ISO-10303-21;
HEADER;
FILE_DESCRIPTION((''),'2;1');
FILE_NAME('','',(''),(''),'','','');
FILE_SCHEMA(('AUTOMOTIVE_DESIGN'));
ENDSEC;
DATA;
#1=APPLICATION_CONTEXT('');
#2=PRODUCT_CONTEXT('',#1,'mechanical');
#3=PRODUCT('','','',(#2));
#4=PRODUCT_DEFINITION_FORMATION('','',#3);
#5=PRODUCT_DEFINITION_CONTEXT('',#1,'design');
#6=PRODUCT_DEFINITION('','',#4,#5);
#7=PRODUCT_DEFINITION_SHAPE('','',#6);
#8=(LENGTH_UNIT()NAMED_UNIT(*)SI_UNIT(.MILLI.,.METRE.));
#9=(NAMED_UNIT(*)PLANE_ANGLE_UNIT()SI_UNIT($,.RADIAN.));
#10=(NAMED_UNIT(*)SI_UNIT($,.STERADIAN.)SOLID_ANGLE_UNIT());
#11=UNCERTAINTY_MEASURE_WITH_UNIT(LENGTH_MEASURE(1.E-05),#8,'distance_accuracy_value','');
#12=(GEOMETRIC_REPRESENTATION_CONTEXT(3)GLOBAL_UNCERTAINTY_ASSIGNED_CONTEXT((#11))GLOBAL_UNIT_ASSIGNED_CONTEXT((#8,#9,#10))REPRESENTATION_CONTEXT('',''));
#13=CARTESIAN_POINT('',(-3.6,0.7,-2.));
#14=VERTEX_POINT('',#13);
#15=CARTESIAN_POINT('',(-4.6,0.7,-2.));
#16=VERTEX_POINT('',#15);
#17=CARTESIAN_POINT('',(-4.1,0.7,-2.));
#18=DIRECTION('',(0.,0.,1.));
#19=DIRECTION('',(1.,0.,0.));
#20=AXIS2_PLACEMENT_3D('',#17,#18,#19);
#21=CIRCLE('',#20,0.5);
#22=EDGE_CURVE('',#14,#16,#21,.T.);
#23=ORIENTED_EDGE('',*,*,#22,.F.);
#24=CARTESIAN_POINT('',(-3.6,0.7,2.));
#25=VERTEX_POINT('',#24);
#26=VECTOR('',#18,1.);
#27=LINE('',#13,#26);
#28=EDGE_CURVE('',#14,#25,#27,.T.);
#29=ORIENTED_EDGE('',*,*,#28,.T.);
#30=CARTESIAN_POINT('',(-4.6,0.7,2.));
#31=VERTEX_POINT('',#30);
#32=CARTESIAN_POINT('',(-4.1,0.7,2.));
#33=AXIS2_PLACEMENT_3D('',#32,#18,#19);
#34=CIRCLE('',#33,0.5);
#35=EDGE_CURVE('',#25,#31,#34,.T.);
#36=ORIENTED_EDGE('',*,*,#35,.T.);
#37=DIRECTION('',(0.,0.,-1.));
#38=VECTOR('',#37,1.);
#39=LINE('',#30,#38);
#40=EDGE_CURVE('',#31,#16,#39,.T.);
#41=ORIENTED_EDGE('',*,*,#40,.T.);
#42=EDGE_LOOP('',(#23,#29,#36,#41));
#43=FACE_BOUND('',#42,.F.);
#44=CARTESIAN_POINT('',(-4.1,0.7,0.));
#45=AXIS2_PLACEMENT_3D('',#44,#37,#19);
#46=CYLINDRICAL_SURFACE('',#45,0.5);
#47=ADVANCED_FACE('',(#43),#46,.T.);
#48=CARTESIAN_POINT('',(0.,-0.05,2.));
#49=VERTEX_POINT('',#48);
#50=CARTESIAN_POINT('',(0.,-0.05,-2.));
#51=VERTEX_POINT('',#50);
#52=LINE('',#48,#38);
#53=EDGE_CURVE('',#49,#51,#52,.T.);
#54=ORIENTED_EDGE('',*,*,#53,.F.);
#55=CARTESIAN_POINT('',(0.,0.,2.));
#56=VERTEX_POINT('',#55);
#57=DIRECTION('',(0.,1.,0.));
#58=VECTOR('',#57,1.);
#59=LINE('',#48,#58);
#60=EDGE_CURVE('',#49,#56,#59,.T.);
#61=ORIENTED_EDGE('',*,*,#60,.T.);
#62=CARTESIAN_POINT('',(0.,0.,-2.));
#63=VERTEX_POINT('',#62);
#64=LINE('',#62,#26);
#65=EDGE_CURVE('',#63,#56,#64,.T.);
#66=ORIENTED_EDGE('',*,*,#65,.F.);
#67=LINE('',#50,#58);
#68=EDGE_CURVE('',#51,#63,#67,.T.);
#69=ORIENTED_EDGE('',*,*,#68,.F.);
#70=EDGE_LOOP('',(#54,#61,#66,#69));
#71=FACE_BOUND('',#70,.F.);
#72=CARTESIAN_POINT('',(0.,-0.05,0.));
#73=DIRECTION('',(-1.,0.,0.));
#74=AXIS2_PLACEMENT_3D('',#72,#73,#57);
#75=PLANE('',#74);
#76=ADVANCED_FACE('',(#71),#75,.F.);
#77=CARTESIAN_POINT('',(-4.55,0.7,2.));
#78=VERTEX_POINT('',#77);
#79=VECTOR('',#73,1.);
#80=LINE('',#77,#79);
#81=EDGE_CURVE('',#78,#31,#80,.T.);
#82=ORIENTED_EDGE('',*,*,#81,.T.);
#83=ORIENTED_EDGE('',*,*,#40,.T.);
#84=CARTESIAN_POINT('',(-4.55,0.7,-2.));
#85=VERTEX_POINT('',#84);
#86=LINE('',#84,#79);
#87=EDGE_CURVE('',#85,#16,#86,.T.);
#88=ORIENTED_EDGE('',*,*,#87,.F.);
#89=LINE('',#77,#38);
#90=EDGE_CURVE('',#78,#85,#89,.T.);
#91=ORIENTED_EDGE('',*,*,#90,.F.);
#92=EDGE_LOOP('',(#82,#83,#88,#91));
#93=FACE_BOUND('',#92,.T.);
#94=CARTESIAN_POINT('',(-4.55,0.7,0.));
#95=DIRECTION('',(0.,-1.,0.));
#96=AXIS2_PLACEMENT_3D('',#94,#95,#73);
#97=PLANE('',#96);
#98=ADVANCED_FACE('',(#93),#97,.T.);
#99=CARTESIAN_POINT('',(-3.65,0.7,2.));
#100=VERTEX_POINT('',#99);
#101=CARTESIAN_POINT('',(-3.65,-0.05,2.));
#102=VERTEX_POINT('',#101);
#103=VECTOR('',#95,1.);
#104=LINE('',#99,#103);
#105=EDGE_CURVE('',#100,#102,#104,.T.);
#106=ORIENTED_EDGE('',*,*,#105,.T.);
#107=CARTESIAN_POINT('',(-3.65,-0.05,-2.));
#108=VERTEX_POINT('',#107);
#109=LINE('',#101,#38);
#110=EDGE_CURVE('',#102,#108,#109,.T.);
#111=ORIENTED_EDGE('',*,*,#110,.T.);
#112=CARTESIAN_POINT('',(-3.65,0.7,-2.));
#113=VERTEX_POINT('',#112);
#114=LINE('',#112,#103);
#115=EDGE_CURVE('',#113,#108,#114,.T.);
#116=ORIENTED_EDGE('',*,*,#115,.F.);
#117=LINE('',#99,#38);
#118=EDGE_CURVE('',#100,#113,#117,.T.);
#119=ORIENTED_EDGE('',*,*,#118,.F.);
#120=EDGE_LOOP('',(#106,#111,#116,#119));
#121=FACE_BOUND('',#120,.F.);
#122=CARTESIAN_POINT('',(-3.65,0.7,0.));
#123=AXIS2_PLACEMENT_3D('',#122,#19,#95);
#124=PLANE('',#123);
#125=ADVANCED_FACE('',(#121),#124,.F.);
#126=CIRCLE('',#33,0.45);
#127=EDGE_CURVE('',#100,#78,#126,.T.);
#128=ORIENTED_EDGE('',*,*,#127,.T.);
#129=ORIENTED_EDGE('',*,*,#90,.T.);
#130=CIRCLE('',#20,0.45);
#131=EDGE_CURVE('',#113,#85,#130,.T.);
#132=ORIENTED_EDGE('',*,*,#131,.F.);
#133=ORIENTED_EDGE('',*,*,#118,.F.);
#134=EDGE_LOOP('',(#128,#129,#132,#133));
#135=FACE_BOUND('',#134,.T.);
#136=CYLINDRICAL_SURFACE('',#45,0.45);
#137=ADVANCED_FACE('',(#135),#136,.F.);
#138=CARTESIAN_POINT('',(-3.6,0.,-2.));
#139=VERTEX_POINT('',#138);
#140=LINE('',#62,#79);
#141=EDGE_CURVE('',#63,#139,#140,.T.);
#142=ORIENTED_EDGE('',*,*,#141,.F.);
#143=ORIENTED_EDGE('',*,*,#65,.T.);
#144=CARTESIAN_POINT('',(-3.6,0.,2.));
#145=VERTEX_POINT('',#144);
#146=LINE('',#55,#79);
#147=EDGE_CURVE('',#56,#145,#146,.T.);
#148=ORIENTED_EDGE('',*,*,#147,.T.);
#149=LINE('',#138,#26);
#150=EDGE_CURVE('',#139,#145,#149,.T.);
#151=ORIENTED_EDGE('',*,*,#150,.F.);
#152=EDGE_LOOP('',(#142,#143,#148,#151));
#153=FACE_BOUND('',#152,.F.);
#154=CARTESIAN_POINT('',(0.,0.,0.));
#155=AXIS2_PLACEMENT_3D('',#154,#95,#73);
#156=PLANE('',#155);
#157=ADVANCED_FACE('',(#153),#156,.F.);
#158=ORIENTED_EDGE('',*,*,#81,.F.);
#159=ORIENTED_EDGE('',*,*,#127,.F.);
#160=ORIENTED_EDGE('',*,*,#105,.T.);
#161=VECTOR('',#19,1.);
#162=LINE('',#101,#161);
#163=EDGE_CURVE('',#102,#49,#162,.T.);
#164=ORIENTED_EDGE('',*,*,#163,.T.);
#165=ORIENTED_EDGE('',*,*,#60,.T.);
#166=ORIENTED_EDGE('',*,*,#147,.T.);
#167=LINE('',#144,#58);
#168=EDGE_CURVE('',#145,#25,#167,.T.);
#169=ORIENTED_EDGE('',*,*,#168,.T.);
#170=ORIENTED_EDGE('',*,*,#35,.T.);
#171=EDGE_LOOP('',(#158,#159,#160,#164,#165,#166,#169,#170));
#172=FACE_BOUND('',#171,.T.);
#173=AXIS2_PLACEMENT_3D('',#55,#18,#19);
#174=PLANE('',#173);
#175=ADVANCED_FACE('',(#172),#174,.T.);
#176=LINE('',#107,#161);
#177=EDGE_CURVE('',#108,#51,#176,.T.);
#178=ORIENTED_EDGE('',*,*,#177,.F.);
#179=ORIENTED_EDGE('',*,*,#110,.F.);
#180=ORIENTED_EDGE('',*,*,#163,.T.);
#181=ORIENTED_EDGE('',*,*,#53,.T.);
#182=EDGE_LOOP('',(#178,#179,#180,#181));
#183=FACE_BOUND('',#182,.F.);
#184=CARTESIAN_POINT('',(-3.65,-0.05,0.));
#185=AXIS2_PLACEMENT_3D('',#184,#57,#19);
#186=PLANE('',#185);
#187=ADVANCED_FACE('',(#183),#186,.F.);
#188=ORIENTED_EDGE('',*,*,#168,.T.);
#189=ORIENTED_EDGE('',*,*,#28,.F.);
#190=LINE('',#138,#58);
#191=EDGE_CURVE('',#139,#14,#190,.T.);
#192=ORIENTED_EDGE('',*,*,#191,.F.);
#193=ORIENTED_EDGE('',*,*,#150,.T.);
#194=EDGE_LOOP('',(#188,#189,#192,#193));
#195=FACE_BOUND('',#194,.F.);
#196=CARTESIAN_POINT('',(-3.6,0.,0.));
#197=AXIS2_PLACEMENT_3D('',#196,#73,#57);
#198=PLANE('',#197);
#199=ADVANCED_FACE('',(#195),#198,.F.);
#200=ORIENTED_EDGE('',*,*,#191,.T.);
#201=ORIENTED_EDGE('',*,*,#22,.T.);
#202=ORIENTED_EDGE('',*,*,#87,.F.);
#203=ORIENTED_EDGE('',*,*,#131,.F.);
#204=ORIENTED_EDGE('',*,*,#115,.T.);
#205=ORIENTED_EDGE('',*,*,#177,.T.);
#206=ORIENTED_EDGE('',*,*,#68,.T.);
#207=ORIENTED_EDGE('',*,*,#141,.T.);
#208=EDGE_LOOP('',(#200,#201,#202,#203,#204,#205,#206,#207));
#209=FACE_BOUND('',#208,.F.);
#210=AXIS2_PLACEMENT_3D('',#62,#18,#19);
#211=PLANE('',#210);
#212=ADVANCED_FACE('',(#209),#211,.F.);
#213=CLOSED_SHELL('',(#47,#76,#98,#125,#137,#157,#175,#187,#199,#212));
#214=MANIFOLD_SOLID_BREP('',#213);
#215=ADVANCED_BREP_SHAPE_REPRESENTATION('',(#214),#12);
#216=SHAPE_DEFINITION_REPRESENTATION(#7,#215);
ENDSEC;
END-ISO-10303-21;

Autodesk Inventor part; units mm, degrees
ref_plane "YZ Plane" through (0, 0, 0) normal (1, 0, 0) x (0, 1, 0)
ref_plane "XZ Plane" through (0, 0, 0) normal (0, 1, 0) x (-1, 0, 0)
ref_plane "XY Plane" through (0, 0, 0) normal (0, 0, 1) x (1, 0, 0)
sketch "Sketch1" plane through (0, 0, 0) normal (0, 0, 1) x (1, 0, 0)
  line L0 (0, 0) -> (-3.6, 0)
  line L1 (-3.6, 0) -> (-3.6, 0.7)
  arc A0 (-3.6, 0.7) -> (-4.6, 0.7) centre (-4.1, 0.7) ccw
  arc A1 (-3.65, 0.7) -> (-4.55, 0.7) centre (-4.1, 0.7) ccw
  line L2 (-3.65, 0.7) -> (-3.65, -0.05)
  line L3 (-3.65, -0.05) -> (0, -0.05)
  line L4 (-4.55, 0.7) -> (-4.6, 0.7)
  line L5 (0, -0.05) -> (0, 0)
  dimension "d1" = 0.5
  dimension "d2" = 0.7
  dimension "d3" = 4.6
  dimension "d4" = 0.05
extrude "Extrusion1" add sketch "Sketch1" along normal mid plane 4
equation "\"BendRadius\" = Thickness"
equation "\"BendReliefWidth\" = Thickness"
equation "\"BendReliefDepth\" = 0.5 * Thickness"
equation "\"CornerReliefSize\" = 4 * Thickness"
equation "\"MinimumRemnant\" = 2 * Thickness"
equation "\"TransitionRadius\" = BendRadius"
equation "\"JacobiRadiusSize\" = Thickness"
equation "\"GapSize\" = Thickness"
equation "\"Thickness\" = 0.5"
properties part number "SpaceQuest_interconnect_2" material "Stainless Steel"
